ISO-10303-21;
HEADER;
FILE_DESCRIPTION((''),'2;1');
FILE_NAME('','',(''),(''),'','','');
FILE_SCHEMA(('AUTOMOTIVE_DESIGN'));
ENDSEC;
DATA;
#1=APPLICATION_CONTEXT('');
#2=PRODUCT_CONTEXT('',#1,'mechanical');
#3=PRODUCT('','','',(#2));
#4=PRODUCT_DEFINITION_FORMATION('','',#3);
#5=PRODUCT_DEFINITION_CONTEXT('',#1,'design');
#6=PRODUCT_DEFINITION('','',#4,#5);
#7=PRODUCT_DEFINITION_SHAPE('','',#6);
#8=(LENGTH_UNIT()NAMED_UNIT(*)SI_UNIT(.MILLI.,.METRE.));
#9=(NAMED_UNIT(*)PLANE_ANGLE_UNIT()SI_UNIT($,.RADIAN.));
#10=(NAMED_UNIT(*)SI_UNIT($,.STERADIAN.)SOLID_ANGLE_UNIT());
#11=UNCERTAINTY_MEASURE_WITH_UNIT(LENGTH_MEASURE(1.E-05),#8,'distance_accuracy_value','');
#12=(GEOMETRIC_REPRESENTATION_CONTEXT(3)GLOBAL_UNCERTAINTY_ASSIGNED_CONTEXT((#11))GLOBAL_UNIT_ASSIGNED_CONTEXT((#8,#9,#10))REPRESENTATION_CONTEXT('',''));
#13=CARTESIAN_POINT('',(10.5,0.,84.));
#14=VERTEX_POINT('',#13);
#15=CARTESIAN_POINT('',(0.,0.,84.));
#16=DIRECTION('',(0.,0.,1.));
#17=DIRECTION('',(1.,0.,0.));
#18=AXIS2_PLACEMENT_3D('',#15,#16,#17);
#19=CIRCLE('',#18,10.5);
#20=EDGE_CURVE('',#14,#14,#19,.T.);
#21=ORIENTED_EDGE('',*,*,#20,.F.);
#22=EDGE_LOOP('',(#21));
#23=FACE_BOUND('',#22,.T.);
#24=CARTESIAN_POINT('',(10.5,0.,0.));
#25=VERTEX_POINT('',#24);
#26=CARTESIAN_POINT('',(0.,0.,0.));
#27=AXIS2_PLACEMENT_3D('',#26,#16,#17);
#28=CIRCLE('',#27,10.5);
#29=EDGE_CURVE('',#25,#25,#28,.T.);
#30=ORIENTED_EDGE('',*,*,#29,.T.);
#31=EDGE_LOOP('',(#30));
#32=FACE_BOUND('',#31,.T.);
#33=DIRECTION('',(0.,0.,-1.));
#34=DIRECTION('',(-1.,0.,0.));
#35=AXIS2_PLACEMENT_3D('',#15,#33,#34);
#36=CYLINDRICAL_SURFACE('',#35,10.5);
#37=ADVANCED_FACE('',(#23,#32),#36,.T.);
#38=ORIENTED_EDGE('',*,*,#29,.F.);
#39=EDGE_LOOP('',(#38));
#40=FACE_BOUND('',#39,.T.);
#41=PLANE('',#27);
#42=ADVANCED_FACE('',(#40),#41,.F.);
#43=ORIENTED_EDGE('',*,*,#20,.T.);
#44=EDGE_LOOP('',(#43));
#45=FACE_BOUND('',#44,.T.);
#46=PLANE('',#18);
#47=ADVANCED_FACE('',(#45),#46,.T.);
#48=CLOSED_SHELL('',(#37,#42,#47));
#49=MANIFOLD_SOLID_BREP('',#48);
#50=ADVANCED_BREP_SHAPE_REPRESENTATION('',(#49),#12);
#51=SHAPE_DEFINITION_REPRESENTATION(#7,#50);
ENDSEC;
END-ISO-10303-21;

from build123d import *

# Parameters (mm, degrees)
CROQUIS2_R              = 10.5
SALIENTE_EXTRUIR1_DEPTH = 84


with BuildPart() as part:
    # Croquis2 → Saliente-Extruir1 (new body)
    with BuildSketch(Plane.XY):
        Circle(CROQUIS2_R)
    extrude(amount=SALIENTE_EXTRUIR1_DEPTH)


solid = part.part
